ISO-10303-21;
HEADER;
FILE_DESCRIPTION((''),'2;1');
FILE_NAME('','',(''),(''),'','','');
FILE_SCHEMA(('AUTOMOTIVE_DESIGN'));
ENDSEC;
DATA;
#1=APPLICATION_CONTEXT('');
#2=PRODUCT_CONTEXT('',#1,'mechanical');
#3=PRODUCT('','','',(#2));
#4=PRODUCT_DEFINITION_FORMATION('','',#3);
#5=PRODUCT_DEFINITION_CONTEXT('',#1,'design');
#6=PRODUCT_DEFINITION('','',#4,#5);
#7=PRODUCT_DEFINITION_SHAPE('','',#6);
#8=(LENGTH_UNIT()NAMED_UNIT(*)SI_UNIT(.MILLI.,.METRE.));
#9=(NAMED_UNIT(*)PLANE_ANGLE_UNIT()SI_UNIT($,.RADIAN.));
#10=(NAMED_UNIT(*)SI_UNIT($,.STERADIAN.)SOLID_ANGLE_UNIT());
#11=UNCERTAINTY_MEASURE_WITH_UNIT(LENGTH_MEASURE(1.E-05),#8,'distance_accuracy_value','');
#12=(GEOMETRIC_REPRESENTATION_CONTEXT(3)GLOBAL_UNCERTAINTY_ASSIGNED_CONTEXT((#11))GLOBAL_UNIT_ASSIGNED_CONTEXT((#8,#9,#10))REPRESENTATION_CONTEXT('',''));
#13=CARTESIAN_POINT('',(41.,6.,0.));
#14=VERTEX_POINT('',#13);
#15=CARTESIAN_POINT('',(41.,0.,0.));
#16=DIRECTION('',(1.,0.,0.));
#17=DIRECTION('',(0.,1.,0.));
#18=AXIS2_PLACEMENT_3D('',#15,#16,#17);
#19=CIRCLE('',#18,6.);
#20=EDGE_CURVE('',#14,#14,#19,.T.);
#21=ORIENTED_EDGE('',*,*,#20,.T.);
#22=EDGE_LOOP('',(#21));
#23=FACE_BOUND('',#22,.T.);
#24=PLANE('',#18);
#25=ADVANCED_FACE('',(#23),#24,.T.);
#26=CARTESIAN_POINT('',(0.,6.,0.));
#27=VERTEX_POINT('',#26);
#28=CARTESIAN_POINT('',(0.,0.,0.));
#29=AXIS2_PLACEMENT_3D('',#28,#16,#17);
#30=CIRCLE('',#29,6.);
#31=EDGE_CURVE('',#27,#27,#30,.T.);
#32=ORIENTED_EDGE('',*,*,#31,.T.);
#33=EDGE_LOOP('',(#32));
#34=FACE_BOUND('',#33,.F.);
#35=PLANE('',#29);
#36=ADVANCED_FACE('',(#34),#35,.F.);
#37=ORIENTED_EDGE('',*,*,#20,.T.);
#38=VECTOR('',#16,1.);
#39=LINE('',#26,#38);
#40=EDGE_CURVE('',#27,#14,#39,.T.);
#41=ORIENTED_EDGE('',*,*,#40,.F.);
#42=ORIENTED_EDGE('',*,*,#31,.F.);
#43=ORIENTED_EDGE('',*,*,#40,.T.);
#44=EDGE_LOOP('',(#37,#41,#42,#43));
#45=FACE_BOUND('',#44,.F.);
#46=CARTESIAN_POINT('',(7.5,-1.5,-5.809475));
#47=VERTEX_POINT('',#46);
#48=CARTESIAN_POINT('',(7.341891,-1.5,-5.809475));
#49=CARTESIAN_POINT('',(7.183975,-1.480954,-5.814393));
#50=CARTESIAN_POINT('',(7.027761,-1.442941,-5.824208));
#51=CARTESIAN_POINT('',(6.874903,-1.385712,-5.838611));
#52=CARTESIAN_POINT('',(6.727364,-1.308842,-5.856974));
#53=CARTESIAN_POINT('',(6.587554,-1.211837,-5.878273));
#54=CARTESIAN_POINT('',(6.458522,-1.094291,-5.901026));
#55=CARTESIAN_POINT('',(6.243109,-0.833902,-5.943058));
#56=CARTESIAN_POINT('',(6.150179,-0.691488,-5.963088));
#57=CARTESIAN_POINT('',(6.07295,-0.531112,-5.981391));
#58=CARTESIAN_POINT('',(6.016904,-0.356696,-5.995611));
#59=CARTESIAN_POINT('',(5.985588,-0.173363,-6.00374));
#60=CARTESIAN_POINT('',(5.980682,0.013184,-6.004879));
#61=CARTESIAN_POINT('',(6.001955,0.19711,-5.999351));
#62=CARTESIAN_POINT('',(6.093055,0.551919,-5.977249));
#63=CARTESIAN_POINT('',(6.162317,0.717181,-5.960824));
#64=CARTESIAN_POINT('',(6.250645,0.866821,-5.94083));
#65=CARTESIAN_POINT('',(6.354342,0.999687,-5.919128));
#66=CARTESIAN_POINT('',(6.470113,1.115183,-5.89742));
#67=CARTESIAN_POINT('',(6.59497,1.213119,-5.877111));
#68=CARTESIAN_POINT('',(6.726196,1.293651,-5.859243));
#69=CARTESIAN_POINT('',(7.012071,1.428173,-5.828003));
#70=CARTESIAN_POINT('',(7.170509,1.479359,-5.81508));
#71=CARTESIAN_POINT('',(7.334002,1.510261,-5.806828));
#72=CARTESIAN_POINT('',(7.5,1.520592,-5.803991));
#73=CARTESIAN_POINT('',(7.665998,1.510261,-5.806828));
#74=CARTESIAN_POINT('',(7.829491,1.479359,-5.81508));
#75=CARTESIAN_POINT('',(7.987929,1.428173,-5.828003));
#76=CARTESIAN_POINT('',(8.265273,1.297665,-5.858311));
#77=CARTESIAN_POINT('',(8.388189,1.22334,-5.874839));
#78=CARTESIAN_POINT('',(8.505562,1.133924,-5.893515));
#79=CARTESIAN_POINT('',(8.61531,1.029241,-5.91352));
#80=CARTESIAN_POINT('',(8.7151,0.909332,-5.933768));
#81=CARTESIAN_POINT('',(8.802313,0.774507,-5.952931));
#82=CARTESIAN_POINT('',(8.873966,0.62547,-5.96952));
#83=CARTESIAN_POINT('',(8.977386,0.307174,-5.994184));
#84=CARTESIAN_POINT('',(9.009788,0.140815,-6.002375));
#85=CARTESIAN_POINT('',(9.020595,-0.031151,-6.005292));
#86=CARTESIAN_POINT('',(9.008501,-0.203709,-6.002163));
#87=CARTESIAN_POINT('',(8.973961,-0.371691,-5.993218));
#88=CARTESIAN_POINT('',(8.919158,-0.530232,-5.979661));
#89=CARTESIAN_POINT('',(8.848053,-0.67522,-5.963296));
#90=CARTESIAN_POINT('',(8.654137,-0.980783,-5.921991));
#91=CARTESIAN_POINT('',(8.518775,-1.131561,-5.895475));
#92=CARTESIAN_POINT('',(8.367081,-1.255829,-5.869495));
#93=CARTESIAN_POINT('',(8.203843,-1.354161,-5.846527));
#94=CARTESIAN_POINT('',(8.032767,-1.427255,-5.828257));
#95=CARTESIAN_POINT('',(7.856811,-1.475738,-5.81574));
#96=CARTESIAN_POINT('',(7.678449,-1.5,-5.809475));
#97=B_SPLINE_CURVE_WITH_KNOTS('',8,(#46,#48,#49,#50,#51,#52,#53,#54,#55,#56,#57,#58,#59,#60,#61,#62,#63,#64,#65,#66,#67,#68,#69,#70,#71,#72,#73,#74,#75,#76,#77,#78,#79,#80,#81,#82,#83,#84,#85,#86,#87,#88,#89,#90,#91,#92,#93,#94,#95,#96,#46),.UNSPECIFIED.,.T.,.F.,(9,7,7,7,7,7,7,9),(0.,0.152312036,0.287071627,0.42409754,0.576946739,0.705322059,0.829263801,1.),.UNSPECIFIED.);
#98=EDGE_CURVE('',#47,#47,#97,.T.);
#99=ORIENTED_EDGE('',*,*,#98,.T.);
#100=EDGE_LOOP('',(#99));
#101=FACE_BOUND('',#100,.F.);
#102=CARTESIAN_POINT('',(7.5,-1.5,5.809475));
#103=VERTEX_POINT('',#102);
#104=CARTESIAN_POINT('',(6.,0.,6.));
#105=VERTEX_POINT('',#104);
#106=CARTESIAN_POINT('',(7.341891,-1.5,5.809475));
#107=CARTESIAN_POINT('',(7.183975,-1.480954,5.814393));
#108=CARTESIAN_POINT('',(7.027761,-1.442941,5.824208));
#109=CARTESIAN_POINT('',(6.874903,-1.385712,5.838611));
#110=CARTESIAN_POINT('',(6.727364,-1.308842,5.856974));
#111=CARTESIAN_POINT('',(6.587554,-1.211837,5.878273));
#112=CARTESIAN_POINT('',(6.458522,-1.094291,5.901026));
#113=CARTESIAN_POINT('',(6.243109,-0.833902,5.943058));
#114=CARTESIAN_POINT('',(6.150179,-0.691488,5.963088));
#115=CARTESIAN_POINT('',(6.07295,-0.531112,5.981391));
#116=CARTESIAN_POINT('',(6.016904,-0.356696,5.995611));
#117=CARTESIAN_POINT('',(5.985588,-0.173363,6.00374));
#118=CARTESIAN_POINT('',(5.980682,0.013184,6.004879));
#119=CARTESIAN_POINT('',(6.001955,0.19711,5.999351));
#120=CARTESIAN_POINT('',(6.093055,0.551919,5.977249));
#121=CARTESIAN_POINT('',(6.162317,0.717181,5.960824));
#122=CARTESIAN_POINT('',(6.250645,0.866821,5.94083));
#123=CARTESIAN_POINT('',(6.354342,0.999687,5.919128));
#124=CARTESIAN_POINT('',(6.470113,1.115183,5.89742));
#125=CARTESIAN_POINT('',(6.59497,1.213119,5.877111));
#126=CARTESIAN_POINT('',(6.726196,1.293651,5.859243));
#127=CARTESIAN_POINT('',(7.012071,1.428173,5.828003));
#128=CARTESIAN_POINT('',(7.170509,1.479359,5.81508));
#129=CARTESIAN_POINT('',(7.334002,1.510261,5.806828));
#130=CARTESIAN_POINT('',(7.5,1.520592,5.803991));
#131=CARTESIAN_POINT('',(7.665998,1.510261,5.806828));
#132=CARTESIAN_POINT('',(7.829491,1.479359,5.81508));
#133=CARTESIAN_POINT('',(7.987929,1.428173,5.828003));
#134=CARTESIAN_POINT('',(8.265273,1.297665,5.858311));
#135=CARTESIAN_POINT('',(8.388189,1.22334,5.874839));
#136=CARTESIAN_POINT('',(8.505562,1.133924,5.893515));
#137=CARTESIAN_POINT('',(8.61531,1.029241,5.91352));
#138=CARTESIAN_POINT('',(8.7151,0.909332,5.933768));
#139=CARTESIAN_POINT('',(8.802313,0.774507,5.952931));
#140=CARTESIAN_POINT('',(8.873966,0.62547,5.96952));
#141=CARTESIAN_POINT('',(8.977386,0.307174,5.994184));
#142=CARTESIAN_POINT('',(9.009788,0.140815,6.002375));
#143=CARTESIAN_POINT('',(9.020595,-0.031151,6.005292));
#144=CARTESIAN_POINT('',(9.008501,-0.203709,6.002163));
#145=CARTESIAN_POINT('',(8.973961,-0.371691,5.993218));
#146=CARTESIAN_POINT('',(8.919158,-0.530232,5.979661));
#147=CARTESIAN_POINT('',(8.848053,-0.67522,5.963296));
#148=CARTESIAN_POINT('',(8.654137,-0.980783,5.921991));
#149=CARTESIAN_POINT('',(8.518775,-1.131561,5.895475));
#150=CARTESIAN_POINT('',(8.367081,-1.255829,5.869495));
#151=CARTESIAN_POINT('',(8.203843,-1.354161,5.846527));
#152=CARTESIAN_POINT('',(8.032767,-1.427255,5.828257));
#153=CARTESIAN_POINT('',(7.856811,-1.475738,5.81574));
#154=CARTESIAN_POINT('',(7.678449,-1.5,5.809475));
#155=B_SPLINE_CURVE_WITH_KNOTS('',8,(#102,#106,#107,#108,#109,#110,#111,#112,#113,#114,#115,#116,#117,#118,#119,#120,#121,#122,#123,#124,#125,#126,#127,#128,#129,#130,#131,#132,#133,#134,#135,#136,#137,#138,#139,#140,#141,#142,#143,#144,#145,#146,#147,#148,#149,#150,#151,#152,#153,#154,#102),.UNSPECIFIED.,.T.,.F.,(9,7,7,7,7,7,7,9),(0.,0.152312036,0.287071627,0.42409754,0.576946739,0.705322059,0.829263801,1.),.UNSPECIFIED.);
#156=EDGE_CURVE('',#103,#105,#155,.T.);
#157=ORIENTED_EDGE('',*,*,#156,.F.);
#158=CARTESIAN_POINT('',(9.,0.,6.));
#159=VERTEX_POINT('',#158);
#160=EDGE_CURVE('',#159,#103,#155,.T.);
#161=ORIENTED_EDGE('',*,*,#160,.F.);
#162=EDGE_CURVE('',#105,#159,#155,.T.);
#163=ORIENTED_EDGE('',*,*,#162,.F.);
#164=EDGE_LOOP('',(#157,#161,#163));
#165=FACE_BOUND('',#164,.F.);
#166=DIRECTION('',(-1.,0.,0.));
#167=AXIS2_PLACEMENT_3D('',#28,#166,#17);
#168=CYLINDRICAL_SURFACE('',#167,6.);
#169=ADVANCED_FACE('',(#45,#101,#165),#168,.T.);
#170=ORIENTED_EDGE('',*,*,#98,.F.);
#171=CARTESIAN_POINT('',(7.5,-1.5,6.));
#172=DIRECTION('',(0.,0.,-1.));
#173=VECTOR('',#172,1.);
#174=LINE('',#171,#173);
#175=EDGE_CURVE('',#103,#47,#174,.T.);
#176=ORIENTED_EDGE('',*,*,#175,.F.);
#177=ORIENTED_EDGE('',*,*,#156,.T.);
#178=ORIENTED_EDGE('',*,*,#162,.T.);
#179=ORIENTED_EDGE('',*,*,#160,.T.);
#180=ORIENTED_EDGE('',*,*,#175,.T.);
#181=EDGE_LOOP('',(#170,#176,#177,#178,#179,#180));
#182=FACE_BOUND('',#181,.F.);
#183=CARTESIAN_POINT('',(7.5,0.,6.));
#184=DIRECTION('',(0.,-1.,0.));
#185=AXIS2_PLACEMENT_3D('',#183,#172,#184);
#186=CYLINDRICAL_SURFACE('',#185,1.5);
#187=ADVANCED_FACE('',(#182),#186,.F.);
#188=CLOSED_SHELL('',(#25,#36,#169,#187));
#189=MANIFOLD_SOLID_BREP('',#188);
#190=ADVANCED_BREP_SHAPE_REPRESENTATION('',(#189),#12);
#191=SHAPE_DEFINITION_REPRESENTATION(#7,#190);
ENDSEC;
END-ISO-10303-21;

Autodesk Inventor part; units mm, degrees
ref_plane "YZ Plane" through (0, 0, 0) normal (1, 0, 0) x (0, 1, 0)
ref_plane "XZ Plane" through (0, 0, 0) normal (0, 1, 0) x (-1, 0, 0)
sketch "スケッチ1" plane through (0, 0, 0) normal (1, 0, 0) x (0, 1, 0)
  circle A0 centre (0, 0) radius 6
  dimension "d0" = 12
extrude "押し出し1" add sketch "スケッチ1" along normal blind 41
ref_plane "作業平面1" through (0, 0, 6) normal (0, 0, 1) x (1, 0, 0)
sketch "スケッチ2" plane through (0, 0, 6) normal (0, 0, 1) x (1, 0, 0)
  line L0 (0, -6) -> (0, 6) projected
  point P0 (0, 0)
  point P1 (7.5, 0)
  dimension "d3" = 7.5
hole "穴1" at (7.5, 0, 6) direction (0, 0, -1) diameter 3 end through all
properties part number "roller-hand-v2-Shaft-m" material "アルミニウム 6061"
